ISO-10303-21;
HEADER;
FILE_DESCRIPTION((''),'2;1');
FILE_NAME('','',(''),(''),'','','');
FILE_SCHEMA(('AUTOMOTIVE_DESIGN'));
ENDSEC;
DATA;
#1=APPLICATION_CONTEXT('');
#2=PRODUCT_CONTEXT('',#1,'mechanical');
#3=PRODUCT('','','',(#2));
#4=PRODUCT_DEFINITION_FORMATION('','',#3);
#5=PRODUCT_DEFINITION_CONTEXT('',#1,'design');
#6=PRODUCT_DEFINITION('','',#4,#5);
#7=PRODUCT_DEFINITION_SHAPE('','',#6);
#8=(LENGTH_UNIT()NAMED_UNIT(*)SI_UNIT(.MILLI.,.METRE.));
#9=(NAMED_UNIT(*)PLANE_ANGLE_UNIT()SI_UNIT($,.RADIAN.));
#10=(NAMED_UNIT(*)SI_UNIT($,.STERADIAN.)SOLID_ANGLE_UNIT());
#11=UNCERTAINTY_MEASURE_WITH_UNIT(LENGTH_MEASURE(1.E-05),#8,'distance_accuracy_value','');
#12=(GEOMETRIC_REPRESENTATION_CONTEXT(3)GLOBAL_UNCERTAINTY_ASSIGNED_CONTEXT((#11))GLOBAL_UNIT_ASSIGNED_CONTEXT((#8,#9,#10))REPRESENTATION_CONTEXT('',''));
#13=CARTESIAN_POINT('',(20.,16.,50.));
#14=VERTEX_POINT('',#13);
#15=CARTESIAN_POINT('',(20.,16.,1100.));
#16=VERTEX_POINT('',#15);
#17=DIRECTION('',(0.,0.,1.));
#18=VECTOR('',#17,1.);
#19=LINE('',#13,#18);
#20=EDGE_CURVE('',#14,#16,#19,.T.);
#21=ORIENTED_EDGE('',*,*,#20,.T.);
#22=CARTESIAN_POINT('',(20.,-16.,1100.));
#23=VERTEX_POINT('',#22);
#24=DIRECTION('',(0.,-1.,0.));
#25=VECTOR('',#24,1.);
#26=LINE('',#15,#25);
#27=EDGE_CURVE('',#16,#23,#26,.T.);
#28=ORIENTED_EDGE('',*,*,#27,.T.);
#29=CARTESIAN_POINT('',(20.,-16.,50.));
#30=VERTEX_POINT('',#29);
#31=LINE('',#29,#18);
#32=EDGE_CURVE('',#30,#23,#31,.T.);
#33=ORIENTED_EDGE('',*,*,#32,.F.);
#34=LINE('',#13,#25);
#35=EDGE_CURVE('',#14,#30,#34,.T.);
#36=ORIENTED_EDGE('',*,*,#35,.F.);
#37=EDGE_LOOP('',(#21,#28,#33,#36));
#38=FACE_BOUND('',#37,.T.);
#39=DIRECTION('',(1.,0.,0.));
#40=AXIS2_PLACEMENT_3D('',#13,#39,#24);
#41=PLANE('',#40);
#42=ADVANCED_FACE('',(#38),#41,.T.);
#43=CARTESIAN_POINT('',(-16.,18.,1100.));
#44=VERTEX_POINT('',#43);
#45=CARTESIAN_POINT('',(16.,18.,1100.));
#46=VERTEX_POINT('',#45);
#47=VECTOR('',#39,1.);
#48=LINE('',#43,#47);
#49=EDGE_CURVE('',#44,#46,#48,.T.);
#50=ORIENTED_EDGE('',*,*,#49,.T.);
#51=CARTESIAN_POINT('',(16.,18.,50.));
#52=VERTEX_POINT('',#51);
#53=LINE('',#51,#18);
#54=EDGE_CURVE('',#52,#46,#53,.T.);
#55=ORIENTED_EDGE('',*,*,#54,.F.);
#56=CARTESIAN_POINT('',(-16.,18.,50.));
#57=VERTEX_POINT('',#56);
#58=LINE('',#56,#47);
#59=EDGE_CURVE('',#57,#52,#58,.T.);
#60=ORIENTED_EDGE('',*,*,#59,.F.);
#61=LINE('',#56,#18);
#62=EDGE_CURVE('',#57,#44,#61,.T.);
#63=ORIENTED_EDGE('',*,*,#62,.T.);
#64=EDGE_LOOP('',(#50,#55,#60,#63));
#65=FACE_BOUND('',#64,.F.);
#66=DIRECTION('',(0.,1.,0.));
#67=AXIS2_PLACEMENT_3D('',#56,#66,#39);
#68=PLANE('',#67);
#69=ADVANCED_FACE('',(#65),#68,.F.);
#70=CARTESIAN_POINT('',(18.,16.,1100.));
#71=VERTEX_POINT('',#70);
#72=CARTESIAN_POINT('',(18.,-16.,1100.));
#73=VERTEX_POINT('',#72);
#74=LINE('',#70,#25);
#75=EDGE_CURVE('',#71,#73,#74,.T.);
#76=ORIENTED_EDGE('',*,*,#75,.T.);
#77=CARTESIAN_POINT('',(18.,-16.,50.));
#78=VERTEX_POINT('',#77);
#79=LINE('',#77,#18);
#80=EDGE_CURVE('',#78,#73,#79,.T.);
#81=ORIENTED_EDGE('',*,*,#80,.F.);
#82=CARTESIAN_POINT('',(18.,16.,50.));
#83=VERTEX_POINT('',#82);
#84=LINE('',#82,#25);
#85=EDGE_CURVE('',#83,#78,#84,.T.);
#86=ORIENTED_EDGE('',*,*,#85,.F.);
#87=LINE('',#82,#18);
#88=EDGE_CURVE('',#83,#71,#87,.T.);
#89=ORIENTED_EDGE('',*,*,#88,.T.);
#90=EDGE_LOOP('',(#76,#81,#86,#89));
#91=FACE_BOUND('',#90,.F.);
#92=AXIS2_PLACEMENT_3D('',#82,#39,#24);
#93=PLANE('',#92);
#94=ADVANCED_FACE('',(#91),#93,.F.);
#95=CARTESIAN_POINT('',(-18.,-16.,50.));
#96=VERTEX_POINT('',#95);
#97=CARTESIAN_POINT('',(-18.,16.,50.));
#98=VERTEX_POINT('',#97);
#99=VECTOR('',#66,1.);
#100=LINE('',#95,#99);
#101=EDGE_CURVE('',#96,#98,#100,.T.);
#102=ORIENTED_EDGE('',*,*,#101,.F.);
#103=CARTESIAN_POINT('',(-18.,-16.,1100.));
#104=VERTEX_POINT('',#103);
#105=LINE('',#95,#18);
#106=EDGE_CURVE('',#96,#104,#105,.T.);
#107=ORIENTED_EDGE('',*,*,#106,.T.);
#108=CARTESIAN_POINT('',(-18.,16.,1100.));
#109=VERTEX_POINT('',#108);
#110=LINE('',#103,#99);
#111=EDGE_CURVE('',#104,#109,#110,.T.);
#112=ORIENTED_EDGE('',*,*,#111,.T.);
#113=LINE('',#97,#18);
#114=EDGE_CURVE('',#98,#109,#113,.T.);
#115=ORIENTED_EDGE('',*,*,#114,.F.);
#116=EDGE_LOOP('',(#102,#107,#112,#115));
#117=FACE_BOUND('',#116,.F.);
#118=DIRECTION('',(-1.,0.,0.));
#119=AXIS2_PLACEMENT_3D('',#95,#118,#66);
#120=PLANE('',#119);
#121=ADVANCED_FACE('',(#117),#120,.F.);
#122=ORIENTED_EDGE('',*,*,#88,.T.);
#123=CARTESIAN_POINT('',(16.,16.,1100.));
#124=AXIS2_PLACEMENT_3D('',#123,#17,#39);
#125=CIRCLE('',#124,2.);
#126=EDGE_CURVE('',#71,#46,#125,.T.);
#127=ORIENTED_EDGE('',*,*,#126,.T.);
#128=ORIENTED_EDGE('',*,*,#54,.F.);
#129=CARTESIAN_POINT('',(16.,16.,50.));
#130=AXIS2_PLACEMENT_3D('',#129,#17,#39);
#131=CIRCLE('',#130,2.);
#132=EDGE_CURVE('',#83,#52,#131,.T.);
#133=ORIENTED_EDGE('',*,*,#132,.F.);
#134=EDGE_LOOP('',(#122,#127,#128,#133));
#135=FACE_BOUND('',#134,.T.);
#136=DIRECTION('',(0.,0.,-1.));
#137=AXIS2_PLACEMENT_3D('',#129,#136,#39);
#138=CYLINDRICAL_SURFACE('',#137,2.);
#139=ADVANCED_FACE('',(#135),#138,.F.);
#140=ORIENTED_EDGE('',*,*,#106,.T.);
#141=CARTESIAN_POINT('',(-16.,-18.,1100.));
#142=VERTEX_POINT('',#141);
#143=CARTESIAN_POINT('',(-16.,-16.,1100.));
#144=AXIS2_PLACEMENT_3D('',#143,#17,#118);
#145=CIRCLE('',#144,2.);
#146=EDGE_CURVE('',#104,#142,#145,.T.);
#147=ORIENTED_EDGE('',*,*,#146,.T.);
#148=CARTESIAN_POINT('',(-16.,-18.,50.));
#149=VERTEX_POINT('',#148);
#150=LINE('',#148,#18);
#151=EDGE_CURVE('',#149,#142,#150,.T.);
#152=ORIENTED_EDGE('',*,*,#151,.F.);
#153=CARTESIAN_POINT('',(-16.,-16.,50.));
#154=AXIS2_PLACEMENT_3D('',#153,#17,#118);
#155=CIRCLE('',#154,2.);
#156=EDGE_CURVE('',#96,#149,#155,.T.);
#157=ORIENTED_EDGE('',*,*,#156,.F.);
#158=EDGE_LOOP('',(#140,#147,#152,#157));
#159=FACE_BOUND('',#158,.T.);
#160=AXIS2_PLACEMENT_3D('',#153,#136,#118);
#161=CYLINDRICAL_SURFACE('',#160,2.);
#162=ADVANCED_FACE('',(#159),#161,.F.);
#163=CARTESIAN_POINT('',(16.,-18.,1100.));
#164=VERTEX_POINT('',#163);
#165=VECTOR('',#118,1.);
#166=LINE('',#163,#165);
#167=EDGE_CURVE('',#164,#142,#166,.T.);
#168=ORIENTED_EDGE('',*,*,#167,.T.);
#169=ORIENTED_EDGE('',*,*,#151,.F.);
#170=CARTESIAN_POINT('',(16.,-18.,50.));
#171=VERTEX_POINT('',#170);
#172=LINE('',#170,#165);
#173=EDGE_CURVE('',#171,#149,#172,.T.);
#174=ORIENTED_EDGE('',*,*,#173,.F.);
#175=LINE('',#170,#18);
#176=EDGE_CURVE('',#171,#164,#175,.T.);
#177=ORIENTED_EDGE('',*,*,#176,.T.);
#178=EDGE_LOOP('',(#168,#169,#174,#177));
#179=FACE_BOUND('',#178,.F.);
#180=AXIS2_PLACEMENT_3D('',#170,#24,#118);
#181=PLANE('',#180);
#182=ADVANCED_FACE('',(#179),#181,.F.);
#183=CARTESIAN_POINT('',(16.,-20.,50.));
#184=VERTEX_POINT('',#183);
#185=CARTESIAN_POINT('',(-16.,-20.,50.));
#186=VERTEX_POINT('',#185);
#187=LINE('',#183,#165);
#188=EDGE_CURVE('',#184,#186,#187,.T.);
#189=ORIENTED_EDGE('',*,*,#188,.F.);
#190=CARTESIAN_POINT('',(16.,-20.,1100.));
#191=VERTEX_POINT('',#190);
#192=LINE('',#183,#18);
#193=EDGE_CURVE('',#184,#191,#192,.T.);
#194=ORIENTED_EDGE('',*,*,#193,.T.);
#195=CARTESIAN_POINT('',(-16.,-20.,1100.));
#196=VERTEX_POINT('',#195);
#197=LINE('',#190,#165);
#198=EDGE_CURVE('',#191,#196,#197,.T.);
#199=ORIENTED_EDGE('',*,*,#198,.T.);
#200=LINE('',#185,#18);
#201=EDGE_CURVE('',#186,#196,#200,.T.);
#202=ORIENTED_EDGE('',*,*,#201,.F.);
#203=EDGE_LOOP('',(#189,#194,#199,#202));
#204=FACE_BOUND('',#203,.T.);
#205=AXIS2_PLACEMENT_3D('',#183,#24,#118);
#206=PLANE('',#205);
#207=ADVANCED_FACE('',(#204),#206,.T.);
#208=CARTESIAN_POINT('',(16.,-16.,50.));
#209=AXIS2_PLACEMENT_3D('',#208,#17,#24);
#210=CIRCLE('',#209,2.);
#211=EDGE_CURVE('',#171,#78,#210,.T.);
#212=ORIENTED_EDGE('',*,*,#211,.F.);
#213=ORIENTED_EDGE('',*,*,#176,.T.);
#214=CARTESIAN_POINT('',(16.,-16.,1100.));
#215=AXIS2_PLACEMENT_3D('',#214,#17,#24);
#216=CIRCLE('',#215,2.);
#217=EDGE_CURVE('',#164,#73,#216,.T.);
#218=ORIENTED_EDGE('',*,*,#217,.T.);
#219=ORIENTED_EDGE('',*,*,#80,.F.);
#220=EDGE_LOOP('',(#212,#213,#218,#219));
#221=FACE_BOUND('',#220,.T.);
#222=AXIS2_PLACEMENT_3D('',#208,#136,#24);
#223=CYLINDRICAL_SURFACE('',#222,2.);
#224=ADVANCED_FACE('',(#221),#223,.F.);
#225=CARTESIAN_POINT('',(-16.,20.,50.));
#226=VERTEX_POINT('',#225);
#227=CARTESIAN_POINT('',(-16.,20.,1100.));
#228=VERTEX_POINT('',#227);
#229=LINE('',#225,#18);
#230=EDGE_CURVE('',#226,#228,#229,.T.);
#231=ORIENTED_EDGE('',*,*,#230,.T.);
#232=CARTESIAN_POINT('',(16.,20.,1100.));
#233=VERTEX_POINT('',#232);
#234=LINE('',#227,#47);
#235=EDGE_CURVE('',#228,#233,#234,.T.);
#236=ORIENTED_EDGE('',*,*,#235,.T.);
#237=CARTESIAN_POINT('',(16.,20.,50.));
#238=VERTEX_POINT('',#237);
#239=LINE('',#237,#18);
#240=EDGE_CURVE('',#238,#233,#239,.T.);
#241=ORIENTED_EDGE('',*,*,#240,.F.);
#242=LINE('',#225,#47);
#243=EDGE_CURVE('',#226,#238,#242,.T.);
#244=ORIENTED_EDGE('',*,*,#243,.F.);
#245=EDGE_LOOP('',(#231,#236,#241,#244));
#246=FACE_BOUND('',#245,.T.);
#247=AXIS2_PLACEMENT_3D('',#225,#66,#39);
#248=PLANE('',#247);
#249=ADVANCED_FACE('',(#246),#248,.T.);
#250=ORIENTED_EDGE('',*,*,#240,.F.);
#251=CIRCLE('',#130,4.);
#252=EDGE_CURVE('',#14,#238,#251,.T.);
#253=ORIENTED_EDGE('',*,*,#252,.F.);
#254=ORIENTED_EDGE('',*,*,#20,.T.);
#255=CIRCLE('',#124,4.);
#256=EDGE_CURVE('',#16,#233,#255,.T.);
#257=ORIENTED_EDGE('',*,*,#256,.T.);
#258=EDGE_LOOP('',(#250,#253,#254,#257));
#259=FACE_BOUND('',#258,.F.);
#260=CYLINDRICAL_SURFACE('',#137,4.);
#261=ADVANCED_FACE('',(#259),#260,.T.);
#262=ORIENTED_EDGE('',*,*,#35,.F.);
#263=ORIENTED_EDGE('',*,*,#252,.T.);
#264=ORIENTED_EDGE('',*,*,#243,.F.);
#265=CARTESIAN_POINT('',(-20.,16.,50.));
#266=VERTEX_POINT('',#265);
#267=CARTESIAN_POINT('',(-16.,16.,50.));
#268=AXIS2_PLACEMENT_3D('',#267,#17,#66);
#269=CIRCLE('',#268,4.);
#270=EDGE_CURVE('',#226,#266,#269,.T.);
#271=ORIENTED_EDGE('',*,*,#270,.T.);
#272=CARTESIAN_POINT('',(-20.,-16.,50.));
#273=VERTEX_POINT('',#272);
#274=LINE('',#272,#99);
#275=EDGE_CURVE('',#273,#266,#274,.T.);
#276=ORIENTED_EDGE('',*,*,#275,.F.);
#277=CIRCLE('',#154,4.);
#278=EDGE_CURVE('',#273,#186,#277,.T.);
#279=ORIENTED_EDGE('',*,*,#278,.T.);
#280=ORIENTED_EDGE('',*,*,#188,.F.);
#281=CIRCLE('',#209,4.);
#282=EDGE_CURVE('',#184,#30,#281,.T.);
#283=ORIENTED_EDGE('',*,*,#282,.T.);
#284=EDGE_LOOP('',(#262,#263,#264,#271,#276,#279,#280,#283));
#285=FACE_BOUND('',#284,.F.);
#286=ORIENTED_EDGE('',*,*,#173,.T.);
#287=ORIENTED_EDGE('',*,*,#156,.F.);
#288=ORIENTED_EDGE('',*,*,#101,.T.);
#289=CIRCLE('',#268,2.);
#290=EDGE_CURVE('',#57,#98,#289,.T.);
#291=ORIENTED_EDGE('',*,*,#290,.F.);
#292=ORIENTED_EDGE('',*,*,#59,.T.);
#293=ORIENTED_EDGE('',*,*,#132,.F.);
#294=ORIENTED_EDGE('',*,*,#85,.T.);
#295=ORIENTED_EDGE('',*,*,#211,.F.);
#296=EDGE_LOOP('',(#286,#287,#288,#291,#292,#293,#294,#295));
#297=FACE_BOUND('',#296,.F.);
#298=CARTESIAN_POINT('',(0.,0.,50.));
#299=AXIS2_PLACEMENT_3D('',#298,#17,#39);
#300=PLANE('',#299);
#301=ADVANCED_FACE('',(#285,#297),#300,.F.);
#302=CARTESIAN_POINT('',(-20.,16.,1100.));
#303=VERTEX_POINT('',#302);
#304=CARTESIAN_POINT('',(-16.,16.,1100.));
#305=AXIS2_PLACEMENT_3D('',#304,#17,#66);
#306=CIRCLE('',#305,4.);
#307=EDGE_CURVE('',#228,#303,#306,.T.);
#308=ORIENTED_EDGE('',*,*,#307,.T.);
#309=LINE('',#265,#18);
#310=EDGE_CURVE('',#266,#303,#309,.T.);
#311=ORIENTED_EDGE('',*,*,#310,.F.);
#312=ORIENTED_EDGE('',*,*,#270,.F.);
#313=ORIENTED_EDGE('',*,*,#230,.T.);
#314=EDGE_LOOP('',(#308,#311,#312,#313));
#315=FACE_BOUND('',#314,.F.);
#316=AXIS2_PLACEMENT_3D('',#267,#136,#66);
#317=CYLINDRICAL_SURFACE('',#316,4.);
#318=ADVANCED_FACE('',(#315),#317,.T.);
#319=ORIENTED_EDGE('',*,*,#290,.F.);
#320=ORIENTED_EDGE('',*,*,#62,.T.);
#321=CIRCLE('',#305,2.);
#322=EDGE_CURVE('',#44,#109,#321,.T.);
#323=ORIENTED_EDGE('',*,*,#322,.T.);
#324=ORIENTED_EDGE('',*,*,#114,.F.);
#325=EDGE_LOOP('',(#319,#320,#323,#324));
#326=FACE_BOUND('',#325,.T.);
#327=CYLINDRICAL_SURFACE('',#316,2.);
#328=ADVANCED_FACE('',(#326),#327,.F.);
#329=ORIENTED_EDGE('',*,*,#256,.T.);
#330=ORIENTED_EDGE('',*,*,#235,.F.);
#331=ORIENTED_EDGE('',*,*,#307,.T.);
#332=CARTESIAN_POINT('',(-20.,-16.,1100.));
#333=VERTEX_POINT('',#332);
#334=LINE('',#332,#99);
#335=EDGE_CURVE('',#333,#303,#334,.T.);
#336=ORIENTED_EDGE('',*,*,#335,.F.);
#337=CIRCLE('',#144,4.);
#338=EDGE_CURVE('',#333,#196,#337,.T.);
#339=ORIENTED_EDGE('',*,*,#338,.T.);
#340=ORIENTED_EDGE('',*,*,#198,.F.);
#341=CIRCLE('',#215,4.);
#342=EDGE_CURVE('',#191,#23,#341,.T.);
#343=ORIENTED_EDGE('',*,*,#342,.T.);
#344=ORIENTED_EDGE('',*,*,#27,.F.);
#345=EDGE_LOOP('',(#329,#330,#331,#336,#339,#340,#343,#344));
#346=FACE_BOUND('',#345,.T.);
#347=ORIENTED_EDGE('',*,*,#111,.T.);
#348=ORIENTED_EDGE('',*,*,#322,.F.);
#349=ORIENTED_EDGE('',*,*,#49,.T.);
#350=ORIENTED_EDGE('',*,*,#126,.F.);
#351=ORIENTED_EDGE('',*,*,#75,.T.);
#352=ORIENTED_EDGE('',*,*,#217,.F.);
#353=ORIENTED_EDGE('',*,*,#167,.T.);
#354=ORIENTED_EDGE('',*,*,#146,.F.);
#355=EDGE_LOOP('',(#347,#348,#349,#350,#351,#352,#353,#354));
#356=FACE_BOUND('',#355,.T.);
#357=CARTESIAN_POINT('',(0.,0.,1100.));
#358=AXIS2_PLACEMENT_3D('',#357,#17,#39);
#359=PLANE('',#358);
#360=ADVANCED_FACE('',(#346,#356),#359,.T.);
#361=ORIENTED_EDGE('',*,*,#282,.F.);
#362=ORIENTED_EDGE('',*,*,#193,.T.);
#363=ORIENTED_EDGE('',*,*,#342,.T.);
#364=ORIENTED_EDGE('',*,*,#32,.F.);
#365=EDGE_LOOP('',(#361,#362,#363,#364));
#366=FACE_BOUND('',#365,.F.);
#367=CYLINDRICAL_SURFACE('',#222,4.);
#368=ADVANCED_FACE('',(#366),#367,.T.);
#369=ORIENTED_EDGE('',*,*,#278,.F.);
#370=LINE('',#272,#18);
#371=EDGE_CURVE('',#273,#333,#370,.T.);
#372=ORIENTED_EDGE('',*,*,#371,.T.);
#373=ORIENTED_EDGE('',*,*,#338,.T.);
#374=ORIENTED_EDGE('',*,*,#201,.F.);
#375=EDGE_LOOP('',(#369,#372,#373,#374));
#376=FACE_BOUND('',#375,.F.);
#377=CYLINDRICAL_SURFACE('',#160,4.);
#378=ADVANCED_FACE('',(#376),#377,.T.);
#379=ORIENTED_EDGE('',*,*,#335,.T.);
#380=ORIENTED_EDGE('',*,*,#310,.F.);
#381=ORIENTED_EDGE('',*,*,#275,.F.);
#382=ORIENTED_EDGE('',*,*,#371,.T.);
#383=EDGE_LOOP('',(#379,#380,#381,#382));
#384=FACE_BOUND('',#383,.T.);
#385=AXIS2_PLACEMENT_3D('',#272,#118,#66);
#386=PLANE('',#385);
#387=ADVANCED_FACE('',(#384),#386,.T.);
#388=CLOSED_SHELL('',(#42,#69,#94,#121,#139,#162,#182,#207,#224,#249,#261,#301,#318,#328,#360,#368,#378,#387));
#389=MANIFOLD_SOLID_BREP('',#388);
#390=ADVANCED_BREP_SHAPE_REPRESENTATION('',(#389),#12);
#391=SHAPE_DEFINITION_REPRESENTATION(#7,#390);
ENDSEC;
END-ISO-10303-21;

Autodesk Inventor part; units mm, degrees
ref_plane "YZ Plane" through (0, 0, 0) normal (1, 0, 0) x (0, 1, 0)
ref_plane "Start Plane" through (0, 0, 50) normal (0, 0, 1) x (1, 0, 0)
ref_plane "End Plane" through (0, 0, 1100) normal (0, 0, 1) x (1, 0, 0)
sketch "Sketch" plane through (0, 0, 0) normal (0, 0, 1) x (1, 0, 0)
  line L0 (-20, -16) -> (-20, 16)
  line L1 (-16, 20) -> (16, 20)
  line L2 (20, 16) -> (20, -16)
  line L3 (16, -20) -> (-16, -20)
  arc A0 (-20, -16) -> (-16, -20) centre (-16, -16) ccw
  arc A1 (20, 16) -> (16, 20) centre (16, 16) ccw
  arc A2 (-16, 20) -> (-20, 16) centre (-16, 16) ccw
  arc A3 (16, -20) -> (20, -16) centre (16, -16) ccw
  arc A4 (-16, 18) -> (-18, 16) centre (-16, 16) ccw
  line L4 (-16, 18) -> (16, 18)
  arc A5 (18, 16) -> (16, 18) centre (16, 16) ccw
  line L5 (18, 16) -> (18, -16)
  arc A6 (16, -18) -> (18, -16) centre (16, -16) ccw
  line L6 (16, -18) -> (-16, -18)
  arc A7 (-18, -16) -> (-16, -18) centre (-16, -16) ccw
  line L7 (-18, -16) -> (-18, 16)
  line L8 (0, 29.1598) -> (0, -29.1598) construction
  line L9 (-29.1598, 0) -> (29.1598, 0) construction
  dimension "d7" = 4
  dimension "d9" = 40
  dimension "d11" = 40
  dimension "d12" = 2
  dimension "d15" = 20
  dimension "d16" = 20
extrude "Body" add sketch "Sketch" along normal up to surface (1050 mm away) from surface at 50
sketch "Sketch3" plane through (0, 0, 0) normal (0, 0, 1) x (1, 0, 0)
  line L0 (0, 0) -> (10, 0)
ref_plane "Work Plane3" through (0, 0, 0) normal (0, -1, 0) x (1, 0, 0)
sketch "Sketch4" plane through (0, 0, 0) normal (0, -1, 0) x (1, 0, 0)
  line L0 (-2, 50) -> (12, 50) projected
  line L1 (-2, 1100) -> (12, 1100) projected
  dimension "d18" = 1050
equation "\"d7\" = G_IR"
equation "\"d9\" = G_W"
equation "\"d11\" = G_H"
equation "\"d12\" = G_T"
equation "\"d15\" = 0.5 * d9"
equation "\"d16\" = 0.5 * d11"
equation "\"d3\" = G_L"
equation "\"G_W\" = 40"
equation "\"G_H\" = 40"
equation "\"G_T\" = 2"
equation "\"G_IR\" = 4"
equation "\"G_L\" = d18"
properties part number "ISO 10799-2 - 40x40x2 - 1050" material "Steel, Mild"
